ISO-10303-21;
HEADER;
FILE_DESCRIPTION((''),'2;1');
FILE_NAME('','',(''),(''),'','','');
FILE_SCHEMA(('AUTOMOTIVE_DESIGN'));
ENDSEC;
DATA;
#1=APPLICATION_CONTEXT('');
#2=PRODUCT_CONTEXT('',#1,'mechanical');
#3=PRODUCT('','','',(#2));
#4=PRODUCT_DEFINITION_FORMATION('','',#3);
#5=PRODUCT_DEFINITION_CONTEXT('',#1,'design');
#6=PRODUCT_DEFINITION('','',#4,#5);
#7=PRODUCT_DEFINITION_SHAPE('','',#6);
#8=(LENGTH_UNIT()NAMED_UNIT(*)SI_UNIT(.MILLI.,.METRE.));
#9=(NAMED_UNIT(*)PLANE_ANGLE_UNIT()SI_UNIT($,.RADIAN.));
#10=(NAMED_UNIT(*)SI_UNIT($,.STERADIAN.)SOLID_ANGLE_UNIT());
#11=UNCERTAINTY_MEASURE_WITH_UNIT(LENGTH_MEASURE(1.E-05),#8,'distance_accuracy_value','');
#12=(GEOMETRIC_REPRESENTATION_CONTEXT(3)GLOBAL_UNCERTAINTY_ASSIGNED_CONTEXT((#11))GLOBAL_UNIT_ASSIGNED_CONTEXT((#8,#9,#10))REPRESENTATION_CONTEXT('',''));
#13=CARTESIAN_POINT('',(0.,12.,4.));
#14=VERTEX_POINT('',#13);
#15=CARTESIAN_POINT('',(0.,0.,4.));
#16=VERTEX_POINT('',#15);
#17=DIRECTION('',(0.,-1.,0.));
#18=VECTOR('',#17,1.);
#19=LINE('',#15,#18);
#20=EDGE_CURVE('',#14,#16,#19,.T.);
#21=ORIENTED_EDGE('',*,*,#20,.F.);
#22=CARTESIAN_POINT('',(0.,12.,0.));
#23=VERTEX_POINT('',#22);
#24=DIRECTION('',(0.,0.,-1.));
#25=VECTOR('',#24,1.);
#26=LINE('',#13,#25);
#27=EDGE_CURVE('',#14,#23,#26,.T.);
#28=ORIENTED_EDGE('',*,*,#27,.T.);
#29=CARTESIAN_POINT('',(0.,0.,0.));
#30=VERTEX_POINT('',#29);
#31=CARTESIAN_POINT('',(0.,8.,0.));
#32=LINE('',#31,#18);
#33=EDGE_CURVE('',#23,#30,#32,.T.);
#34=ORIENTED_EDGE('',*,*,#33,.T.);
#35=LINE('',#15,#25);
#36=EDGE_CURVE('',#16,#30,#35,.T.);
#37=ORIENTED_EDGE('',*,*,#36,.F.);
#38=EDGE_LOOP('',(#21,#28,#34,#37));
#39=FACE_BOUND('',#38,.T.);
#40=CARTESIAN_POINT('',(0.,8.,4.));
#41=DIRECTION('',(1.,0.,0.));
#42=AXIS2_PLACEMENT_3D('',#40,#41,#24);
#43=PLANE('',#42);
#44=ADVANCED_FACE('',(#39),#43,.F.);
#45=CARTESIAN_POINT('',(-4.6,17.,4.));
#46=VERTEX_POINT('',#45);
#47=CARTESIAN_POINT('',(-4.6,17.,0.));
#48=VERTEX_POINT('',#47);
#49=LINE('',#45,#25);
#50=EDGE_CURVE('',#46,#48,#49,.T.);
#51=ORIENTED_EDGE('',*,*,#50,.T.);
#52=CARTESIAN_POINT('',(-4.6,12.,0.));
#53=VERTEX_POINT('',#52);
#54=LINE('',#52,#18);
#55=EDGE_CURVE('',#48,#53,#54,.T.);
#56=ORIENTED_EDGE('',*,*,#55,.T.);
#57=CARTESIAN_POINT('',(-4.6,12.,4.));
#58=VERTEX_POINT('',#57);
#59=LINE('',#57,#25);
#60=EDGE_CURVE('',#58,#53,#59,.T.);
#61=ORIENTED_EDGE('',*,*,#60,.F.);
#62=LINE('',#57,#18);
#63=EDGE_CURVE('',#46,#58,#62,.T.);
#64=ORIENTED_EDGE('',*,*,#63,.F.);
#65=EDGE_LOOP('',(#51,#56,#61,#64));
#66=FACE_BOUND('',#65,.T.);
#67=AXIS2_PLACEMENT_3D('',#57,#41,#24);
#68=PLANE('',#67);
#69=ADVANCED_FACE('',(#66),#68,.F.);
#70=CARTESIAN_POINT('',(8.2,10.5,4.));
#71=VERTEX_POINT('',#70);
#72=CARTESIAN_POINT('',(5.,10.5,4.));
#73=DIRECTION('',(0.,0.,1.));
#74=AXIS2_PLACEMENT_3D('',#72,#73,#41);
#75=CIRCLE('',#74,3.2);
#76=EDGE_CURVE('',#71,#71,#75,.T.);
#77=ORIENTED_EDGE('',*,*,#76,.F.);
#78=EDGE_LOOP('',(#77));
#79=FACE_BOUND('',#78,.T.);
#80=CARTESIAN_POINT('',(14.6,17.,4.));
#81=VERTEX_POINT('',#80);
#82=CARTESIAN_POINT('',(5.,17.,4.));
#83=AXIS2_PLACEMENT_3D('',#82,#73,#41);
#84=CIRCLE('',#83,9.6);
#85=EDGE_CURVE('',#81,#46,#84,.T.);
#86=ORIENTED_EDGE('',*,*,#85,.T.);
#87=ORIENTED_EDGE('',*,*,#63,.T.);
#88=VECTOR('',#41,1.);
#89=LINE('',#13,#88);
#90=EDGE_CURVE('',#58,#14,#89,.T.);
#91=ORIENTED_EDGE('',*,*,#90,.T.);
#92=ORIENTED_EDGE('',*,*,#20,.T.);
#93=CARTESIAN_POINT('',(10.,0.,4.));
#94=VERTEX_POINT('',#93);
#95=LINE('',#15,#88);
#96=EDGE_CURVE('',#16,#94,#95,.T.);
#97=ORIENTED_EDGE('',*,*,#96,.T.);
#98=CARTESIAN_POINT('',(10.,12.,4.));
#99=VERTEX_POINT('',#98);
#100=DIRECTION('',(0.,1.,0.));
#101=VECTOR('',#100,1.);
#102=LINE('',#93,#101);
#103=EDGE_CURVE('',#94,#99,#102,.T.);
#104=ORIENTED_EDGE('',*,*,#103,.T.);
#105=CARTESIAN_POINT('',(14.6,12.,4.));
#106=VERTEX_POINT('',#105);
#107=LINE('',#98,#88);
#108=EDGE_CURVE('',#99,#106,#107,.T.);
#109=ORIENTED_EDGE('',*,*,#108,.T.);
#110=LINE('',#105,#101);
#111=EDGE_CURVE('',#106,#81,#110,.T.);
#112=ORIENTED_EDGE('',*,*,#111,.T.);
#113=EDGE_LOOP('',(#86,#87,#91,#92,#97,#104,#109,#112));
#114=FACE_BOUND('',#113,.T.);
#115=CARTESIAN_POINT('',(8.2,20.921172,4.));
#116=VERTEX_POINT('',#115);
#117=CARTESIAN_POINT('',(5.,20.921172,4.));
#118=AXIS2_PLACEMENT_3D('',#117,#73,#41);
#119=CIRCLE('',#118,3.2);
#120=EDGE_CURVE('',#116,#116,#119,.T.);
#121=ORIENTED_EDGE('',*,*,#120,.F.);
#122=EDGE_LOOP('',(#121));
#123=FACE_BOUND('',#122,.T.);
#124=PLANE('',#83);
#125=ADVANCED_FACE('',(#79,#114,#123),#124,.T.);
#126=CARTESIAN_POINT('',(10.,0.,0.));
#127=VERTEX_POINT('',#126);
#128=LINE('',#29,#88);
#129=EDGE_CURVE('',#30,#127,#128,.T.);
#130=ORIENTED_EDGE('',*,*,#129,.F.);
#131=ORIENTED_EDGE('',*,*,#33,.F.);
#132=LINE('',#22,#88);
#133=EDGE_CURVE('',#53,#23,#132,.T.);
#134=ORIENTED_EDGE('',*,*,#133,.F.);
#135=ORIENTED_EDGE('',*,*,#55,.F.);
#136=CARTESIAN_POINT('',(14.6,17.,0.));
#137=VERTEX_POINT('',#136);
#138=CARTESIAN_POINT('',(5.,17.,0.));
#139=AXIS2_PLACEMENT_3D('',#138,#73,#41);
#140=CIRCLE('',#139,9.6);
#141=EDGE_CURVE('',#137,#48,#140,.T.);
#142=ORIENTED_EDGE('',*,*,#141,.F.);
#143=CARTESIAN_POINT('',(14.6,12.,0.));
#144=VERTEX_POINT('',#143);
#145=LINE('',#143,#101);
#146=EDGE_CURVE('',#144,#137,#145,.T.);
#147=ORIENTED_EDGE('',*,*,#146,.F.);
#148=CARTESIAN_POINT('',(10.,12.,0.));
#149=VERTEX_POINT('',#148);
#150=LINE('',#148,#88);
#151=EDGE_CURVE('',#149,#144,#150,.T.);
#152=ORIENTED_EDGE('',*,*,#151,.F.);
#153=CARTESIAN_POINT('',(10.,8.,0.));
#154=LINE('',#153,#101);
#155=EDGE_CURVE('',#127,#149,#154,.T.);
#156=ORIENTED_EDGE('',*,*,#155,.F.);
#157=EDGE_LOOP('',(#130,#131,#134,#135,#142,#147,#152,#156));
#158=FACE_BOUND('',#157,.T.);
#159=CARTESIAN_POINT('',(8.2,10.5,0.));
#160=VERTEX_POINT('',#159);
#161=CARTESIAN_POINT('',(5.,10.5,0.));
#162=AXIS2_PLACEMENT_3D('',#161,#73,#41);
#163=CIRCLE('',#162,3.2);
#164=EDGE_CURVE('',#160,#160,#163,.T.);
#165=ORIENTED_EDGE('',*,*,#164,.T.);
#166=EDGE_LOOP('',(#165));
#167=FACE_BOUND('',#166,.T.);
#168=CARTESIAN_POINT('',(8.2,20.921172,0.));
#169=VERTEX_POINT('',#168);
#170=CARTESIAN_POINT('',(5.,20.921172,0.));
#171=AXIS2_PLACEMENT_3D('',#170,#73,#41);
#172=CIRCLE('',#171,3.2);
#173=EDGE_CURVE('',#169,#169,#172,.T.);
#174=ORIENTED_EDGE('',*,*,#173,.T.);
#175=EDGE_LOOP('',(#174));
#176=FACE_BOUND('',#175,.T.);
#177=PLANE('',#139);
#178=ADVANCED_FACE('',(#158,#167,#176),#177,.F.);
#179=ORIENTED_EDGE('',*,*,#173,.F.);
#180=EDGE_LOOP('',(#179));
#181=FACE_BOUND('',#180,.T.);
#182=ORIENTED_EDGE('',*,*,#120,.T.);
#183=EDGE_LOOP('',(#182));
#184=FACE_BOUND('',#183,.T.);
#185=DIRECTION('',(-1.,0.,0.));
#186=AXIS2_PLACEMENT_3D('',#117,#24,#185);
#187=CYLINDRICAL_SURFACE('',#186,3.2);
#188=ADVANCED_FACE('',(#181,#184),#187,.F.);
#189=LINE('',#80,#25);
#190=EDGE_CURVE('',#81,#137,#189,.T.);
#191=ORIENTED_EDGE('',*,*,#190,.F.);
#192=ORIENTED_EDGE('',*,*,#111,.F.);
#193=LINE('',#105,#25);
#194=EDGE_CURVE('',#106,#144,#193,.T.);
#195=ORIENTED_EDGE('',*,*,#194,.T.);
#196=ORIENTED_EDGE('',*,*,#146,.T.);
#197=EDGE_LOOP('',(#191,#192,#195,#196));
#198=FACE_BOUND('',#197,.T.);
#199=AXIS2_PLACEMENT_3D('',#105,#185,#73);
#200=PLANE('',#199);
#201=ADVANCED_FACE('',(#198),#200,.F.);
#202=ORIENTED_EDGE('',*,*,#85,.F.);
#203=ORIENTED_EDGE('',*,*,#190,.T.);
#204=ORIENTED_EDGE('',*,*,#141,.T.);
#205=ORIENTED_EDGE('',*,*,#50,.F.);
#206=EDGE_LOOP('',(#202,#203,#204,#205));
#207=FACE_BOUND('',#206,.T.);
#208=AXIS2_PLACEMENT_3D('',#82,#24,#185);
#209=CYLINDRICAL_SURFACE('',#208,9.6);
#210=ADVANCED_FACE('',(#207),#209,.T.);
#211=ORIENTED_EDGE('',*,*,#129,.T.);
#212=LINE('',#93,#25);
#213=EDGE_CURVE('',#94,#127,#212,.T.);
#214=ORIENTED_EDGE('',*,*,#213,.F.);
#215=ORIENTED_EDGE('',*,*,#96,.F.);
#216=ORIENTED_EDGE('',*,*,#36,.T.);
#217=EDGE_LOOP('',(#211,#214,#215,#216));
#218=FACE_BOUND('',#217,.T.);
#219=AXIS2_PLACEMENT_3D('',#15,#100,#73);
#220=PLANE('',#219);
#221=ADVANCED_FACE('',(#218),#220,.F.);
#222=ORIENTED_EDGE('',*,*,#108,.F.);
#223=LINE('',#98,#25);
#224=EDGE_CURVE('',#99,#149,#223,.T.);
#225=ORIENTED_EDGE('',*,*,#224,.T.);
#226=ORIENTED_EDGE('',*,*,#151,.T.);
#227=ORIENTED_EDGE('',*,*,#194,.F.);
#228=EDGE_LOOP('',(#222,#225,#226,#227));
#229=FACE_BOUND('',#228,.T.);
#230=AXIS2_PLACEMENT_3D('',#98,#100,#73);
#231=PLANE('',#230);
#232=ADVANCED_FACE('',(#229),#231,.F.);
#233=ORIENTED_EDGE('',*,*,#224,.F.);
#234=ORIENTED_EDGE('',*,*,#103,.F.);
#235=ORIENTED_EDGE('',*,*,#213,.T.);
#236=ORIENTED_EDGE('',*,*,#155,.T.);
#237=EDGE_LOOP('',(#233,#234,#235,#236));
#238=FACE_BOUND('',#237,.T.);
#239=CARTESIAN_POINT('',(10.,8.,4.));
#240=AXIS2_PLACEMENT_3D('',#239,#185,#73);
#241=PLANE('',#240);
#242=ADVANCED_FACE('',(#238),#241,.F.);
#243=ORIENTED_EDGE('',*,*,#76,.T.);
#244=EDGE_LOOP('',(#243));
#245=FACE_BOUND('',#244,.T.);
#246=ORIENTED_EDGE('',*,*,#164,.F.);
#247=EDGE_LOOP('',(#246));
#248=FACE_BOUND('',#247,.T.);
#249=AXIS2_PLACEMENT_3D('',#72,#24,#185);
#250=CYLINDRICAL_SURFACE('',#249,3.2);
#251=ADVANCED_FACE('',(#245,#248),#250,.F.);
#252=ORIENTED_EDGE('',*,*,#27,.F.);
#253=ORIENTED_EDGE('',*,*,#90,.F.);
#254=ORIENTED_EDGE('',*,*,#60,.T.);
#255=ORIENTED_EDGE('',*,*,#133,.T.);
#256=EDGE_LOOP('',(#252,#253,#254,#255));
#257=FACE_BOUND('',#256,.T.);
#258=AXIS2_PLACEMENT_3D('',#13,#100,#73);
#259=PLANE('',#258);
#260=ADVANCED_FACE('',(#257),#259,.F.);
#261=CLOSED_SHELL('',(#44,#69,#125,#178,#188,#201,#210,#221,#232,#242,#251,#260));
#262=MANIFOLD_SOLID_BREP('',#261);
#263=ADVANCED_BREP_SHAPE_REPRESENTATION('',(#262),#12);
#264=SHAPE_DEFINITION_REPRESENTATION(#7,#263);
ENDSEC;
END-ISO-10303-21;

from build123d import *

# Parameters (mm, degrees)
BOSS_EXTRUDE1_DEPTH = 4
SKETCH2_W           = 2.5
SKETCH2_H           = 4
CUT_EXTRUDE1_DEPTH  = 4
SKETCH3_R           = 3.2
CUT_EXTRUDE2_DEPTH  = 5


with BuildPart() as part:
    # Sketch1 → Boss-Extrude1 (new body)
    with BuildSketch(Plane.XY):
        with BuildLine():
            Line((0, 0), (10, 0))
            Line((10, 0), (10, 4))
            Line((10, 4), (12.5, 4))
            Line((12.5, 4), (12.5, 8))
            Line((12.5, 8), (10, 8))
            Line((10, 8), (10, 12))
            Line((10, 12), (14.6, 12))
            Line((14.6, 12), (14.6, 17))
            ThreePointArc((14.6, 17), (5, 26.6), (-4.6, 17))
            Line((-4.6, 17), (-4.6, 12))
            Line((-4.6, 12), (0, 12))
            Line((0, 12), (0, 8))
            Line((0, 8), (-2.5, 8))
            Line((-2.5, 8), (-2.5, 4))
            Line((-2.5, 4), (0, 4))
            Line((0, 4), (0, 0))
        make_face()
    extrude(amount=BOSS_EXTRUDE1_DEPTH)

    # Sketch2 → Cut-Extrude1 (cut)
    with BuildSketch(Plane.XY.offset(4)):
        with Locations((-1.25, 6)):
            Rectangle(SKETCH2_W, SKETCH2_H)
        with Locations((11.25, 6)):
            Rectangle(SKETCH2_W, SKETCH2_H)
    extrude(amount=-CUT_EXTRUDE1_DEPTH, mode=Mode.SUBTRACT)

    # Sketch3 → Cut-Extrude2 (cut, through all)
    with BuildSketch(Plane.XY):
        with Locations((5, 20.921172359)):
            Circle(SKETCH3_R)
        with Locations((5, 10.5)):
            Circle(SKETCH3_R)
    extrude(amount=CUT_EXTRUDE2_DEPTH, mode=Mode.SUBTRACT)


solid = part.part
